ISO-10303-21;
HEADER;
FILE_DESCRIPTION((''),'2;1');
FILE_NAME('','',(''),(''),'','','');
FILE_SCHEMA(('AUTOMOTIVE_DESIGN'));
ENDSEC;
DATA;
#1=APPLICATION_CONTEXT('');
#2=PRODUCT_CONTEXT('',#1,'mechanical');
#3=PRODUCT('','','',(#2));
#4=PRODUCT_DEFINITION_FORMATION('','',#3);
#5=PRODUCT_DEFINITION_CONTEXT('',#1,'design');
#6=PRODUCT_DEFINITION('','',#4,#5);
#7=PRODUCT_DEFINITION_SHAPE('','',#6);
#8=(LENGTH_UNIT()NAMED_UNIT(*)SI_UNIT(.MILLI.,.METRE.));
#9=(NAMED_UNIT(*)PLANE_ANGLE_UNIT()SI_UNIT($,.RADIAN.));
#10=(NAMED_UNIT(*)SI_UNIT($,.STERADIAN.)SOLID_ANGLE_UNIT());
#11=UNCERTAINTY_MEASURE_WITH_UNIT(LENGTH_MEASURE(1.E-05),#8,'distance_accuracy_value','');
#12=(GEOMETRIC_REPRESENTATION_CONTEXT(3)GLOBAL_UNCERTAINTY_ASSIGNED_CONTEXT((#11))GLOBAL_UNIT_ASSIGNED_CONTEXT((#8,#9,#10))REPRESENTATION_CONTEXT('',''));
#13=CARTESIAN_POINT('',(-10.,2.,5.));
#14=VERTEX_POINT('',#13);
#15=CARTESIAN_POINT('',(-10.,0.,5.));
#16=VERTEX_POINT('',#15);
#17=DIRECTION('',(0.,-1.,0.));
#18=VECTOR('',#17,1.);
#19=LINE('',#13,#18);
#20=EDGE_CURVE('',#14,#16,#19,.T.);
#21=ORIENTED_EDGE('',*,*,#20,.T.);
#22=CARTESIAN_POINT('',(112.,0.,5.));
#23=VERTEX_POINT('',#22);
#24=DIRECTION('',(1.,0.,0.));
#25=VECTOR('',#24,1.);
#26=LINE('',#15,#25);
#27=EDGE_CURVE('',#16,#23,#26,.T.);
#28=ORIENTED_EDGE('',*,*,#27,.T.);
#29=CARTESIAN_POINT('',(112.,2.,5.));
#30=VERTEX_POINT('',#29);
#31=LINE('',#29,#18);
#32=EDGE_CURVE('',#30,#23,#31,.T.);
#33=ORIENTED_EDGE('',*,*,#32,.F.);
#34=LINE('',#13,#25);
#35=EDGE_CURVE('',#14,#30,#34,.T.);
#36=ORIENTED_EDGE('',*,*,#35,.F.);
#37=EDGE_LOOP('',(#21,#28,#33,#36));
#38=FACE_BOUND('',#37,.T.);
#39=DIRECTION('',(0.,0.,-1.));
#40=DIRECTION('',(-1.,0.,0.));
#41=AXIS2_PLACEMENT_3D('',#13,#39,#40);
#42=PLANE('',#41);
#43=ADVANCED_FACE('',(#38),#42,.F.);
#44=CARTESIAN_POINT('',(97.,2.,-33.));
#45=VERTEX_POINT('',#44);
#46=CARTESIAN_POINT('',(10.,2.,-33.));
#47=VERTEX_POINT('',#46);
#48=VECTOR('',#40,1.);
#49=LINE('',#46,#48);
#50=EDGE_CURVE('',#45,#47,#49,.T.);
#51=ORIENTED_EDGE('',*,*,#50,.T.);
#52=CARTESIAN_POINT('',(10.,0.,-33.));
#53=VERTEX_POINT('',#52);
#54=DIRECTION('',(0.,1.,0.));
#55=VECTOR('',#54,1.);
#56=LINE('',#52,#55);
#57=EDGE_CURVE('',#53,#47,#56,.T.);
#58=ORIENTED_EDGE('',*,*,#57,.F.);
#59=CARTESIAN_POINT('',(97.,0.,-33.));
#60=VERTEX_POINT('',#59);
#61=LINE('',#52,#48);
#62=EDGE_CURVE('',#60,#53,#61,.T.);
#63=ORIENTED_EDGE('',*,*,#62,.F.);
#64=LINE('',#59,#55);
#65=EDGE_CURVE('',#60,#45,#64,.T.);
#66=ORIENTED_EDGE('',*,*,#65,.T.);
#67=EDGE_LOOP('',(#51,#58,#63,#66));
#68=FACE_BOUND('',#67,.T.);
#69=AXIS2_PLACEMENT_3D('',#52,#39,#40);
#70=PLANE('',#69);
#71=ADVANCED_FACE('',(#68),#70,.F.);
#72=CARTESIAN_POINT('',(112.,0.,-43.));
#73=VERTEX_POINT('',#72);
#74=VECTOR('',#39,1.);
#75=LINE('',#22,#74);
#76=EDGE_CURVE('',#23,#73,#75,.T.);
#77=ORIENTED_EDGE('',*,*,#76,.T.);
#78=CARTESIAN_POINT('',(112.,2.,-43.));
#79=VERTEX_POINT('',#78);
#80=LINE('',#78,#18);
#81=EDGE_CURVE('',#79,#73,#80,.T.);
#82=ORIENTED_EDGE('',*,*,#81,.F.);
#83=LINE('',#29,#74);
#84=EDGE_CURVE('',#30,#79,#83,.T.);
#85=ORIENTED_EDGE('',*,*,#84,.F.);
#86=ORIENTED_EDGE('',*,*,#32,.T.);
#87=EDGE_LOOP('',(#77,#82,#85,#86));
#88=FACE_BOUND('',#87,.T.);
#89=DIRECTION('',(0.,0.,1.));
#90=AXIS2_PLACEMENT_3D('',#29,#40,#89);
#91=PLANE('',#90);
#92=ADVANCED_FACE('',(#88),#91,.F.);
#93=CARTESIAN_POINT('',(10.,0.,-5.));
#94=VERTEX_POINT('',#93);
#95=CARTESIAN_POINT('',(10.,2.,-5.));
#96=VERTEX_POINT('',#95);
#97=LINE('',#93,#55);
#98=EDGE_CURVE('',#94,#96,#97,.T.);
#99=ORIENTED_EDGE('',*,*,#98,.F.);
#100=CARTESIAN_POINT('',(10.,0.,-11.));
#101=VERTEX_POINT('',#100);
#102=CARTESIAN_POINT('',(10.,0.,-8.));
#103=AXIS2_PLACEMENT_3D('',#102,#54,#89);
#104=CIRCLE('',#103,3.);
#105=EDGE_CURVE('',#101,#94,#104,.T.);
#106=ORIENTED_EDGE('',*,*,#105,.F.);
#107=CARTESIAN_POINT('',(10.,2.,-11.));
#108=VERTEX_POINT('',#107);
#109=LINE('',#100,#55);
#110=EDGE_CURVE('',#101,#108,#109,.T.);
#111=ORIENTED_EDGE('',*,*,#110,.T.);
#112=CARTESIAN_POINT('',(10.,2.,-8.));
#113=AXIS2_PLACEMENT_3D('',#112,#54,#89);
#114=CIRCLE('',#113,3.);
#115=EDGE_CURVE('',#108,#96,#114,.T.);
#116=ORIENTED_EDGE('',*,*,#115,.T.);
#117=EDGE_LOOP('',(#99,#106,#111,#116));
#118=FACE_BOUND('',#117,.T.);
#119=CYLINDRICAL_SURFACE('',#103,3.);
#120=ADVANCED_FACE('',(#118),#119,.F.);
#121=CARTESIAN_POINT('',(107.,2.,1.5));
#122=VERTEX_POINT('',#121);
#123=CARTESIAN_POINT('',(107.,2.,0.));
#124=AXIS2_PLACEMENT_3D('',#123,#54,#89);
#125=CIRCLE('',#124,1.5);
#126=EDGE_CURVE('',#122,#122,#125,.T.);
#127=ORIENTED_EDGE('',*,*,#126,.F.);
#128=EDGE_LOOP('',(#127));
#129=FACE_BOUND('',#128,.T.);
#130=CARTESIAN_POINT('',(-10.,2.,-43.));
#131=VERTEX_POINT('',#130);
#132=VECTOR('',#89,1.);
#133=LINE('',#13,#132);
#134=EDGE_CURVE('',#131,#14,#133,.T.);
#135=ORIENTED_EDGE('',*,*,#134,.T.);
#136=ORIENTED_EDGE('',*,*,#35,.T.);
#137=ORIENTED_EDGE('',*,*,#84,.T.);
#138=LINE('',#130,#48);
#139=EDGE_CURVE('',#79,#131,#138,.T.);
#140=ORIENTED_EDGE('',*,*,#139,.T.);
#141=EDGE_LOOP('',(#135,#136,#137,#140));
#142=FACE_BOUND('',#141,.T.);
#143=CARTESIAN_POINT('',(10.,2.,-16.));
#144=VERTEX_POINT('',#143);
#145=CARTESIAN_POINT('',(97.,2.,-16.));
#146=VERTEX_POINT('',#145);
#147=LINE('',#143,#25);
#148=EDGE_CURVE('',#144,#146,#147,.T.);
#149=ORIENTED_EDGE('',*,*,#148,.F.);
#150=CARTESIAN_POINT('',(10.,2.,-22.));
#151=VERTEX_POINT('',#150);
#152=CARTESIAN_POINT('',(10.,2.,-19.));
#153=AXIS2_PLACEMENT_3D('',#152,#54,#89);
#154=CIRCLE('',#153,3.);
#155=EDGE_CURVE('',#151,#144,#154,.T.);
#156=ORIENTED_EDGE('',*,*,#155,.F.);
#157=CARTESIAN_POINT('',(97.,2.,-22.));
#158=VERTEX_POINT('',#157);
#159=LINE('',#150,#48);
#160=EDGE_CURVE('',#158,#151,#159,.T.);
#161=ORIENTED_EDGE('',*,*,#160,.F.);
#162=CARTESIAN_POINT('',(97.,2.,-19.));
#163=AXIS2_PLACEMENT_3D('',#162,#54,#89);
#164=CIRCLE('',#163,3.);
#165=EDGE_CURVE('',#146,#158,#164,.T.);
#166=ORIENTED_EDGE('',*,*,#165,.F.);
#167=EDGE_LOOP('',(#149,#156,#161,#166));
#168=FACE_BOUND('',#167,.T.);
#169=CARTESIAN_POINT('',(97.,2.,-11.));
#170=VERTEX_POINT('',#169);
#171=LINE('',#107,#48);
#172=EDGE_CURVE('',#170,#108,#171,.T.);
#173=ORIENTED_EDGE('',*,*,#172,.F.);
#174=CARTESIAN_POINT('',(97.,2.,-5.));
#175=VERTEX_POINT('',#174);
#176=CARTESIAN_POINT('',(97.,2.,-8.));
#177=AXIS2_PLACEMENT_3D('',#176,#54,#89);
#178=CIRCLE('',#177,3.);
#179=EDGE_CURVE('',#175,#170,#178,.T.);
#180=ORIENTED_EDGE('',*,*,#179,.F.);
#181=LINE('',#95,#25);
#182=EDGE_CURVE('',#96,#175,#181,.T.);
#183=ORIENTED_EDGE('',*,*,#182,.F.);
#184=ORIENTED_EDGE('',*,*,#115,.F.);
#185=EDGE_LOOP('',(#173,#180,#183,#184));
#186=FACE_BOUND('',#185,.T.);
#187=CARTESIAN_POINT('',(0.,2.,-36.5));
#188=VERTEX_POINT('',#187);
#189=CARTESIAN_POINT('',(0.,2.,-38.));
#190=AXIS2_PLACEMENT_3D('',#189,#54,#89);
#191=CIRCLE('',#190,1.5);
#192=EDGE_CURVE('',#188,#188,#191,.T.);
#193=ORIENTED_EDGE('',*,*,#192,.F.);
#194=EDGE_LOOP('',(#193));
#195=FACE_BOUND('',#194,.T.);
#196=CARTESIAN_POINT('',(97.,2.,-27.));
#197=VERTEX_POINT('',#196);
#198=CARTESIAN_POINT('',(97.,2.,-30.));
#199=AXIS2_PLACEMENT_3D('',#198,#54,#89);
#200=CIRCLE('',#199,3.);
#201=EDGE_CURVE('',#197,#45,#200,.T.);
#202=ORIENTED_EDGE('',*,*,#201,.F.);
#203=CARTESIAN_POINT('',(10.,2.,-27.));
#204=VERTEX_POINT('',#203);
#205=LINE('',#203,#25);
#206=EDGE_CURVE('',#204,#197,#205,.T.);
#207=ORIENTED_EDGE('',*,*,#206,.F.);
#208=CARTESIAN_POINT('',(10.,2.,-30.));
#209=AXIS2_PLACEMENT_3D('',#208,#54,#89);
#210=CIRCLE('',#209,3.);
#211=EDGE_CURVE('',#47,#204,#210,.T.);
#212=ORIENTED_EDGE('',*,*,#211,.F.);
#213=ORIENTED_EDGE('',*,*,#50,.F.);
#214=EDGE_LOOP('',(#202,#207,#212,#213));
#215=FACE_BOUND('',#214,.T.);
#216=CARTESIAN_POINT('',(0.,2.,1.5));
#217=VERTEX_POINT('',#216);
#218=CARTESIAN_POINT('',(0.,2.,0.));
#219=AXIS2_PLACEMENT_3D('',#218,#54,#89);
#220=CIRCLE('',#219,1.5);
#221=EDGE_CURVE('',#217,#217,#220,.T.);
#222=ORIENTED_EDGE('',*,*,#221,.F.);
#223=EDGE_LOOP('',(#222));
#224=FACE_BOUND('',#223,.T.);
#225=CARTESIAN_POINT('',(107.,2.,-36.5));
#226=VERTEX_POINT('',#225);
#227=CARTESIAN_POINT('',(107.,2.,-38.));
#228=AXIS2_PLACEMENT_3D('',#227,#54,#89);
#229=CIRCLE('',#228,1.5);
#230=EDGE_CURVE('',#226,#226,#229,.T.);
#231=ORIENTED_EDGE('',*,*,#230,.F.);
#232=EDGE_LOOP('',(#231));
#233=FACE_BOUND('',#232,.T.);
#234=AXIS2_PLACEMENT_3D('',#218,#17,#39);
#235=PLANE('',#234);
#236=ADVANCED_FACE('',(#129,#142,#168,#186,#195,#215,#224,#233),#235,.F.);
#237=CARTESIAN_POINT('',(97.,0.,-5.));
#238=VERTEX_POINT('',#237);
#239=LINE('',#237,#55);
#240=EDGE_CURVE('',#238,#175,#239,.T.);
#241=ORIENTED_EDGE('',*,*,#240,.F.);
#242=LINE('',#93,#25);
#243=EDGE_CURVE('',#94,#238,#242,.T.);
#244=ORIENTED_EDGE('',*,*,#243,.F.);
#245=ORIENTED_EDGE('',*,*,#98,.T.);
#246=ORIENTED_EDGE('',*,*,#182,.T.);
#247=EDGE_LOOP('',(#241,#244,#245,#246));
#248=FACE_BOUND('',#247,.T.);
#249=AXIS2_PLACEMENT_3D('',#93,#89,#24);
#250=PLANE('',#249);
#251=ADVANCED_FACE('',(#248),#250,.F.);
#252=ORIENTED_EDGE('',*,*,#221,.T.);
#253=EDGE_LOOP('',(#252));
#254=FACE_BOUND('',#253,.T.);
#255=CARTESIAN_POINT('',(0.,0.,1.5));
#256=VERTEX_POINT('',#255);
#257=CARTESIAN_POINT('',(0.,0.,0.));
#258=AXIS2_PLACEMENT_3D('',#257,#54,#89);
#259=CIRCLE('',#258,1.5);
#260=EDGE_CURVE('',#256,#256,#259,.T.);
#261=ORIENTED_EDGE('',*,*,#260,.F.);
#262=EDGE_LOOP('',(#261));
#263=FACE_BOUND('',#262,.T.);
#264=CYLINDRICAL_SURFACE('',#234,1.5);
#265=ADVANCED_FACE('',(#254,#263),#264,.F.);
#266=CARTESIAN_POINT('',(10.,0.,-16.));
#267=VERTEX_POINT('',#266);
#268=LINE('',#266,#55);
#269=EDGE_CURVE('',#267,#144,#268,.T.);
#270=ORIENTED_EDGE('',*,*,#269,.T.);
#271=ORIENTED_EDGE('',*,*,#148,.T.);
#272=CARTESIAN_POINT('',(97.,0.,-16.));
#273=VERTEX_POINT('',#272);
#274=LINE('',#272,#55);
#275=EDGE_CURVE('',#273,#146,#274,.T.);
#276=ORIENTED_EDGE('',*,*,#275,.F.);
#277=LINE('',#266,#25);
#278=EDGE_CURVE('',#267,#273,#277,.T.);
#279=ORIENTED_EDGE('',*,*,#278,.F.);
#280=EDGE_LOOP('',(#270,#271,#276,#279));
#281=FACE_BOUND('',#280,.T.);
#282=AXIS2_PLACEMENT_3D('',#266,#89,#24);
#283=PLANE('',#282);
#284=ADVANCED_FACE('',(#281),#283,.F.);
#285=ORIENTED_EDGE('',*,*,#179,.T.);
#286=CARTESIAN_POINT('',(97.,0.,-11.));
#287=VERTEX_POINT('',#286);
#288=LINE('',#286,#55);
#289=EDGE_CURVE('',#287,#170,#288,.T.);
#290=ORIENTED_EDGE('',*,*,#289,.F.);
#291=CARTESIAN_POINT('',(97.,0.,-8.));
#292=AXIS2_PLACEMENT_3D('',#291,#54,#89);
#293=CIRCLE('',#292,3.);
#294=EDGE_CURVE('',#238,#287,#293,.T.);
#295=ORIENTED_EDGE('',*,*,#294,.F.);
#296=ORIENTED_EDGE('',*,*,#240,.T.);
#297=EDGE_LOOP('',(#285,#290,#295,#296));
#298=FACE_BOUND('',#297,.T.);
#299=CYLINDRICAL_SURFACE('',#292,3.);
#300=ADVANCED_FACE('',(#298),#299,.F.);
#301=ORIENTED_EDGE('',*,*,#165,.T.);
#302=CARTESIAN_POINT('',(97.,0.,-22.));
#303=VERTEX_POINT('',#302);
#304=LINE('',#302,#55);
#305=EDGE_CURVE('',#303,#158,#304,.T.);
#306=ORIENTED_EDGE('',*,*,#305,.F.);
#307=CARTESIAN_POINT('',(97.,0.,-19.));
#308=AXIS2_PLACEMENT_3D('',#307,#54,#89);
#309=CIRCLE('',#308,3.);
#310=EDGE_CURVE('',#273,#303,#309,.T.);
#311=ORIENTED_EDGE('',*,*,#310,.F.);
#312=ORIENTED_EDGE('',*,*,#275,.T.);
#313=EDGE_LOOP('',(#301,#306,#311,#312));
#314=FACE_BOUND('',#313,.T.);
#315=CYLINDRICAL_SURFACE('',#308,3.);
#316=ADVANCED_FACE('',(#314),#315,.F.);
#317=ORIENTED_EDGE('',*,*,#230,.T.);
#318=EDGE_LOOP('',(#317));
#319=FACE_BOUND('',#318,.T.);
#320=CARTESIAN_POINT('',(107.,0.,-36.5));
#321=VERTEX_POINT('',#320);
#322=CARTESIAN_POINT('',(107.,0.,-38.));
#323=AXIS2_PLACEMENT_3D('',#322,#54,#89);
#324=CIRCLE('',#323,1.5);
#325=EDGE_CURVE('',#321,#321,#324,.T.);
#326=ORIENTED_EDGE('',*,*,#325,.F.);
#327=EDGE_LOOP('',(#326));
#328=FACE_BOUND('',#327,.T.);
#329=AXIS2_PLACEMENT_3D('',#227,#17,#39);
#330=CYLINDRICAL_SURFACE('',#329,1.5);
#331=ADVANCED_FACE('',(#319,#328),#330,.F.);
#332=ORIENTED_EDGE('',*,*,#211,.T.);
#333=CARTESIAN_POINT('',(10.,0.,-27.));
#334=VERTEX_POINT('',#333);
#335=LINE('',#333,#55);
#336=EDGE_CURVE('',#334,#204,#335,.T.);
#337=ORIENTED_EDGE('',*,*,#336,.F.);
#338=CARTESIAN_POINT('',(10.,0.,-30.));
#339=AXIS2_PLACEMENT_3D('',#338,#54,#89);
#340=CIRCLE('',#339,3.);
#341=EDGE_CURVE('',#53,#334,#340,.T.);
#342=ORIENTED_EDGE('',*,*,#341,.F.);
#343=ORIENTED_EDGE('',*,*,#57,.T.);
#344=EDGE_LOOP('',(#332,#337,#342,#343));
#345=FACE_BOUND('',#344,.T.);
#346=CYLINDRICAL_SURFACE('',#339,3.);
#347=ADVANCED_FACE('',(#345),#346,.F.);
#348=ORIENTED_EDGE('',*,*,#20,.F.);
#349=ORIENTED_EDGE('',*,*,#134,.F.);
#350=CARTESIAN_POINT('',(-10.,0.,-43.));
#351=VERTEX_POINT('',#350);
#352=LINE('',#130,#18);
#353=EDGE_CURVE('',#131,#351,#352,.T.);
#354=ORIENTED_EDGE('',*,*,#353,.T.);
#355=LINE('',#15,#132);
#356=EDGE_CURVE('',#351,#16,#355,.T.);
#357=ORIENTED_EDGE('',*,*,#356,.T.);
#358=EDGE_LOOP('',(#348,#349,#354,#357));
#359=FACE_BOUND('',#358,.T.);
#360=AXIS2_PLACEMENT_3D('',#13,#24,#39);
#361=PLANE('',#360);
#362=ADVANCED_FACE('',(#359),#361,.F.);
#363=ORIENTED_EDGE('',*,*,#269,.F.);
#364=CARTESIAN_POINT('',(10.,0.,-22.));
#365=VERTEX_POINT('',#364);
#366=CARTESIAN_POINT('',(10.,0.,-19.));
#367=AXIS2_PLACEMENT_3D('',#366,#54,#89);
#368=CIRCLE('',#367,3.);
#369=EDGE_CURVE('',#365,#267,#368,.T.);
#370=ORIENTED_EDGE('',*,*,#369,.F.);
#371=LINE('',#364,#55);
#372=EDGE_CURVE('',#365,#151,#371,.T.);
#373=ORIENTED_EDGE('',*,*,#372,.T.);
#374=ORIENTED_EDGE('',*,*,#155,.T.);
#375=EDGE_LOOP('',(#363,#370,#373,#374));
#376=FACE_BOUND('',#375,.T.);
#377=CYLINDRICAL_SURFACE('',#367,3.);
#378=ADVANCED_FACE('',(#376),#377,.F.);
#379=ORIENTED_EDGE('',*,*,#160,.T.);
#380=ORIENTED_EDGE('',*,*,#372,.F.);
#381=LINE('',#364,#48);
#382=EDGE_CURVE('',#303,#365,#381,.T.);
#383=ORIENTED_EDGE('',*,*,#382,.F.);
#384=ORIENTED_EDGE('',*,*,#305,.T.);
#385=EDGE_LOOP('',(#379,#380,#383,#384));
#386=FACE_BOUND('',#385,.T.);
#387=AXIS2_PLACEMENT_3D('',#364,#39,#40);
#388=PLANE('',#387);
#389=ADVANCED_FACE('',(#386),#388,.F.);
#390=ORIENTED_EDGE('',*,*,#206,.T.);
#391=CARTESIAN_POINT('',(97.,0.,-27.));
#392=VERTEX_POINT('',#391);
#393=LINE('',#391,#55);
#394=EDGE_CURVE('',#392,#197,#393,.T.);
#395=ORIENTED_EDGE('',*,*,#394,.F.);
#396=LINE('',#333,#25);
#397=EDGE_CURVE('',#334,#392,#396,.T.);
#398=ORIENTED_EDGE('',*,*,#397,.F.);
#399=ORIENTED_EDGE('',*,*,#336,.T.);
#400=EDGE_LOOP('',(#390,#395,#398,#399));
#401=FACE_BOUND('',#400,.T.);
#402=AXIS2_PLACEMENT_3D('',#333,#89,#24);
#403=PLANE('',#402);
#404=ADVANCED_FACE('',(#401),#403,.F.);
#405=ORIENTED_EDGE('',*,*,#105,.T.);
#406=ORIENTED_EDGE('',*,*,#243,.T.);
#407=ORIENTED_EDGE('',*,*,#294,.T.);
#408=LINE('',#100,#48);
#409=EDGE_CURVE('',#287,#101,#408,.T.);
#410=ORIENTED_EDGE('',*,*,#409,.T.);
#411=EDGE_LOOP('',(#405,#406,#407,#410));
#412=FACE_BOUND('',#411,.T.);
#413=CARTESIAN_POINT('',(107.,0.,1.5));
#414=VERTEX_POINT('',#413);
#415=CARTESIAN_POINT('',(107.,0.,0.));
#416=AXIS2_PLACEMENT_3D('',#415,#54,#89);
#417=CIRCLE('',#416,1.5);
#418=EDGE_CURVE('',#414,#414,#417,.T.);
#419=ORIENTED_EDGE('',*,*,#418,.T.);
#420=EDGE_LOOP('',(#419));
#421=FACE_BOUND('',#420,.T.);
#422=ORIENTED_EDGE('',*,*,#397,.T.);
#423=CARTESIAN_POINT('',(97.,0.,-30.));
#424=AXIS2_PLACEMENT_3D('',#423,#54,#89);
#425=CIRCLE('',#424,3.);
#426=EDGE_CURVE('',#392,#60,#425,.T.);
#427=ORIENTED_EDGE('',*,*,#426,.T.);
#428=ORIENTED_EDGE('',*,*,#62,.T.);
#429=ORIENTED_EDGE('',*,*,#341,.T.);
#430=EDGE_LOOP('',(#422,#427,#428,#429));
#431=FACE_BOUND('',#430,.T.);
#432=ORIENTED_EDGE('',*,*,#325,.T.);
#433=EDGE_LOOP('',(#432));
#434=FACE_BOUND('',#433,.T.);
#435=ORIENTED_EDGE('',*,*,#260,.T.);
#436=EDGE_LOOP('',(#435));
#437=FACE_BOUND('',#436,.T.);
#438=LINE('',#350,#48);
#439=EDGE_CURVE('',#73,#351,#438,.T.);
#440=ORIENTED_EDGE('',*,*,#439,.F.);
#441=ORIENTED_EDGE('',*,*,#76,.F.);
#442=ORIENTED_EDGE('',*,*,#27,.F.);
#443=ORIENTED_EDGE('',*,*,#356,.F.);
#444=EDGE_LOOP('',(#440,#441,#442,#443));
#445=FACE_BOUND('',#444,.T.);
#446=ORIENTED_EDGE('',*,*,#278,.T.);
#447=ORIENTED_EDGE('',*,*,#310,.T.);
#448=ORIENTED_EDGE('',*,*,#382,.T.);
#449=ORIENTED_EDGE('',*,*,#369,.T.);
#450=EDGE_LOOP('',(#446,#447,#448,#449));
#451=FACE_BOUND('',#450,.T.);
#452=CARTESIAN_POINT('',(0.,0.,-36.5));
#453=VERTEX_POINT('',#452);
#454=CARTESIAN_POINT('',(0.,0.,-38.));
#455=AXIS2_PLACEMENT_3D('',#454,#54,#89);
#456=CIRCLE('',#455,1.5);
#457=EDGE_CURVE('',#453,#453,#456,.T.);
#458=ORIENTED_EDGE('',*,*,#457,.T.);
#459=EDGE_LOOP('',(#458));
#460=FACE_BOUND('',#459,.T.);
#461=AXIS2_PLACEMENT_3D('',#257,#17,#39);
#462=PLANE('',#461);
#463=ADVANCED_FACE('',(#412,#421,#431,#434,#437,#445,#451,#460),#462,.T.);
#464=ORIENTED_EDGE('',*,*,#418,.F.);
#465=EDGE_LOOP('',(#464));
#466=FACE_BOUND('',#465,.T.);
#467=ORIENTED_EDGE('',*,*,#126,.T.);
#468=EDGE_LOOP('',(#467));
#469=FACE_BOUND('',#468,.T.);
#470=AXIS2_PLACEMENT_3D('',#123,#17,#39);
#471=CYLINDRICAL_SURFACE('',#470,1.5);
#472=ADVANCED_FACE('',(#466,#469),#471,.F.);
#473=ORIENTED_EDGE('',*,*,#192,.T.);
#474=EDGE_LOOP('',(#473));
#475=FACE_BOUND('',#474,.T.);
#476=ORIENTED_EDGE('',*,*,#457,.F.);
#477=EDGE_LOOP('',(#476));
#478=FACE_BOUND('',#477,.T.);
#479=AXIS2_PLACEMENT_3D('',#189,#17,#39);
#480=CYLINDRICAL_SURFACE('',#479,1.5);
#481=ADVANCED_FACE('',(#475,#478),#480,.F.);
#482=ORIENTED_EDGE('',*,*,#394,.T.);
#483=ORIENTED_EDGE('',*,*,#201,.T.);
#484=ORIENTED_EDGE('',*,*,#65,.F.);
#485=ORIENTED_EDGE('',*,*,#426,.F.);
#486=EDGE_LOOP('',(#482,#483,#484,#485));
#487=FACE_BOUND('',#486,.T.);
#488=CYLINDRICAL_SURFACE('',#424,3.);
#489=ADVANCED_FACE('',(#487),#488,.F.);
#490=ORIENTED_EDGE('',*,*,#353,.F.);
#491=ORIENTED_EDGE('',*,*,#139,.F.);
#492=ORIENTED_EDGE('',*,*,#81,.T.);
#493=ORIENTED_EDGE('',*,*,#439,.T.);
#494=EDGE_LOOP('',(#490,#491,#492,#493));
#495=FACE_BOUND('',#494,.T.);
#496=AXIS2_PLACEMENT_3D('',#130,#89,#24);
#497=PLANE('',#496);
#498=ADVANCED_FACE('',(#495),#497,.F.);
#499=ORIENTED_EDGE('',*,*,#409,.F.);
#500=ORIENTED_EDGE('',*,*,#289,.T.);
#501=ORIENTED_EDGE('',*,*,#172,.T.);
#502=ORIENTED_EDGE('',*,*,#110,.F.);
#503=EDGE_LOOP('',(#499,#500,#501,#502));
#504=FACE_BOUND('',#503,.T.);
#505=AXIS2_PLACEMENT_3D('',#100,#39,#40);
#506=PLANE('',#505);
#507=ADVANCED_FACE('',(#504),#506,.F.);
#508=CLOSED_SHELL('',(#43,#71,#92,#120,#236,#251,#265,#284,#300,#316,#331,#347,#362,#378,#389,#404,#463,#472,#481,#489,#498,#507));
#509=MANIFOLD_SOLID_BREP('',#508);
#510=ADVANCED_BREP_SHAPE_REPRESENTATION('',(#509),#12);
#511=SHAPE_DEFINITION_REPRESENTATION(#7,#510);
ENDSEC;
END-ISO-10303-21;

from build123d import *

# Parameters (mm, degrees)
SKETCH_1_W          = 122
SKETCH_1_H          = 48
SKETCH_1_R          = 1.5
EXTRUDE_1_DEPTH     = 2
CUT_EXTRUDE_1_DEPTH = 120.987499349


with BuildPart() as part:
    # 草图1 → 凸台-拉伸1 (new body)
    with BuildSketch(Plane(origin=(0, 0, 0), x_dir=(1, 0, 0), z_dir=(0, 1, 0))):
        with Locations((51, 19)):
            Rectangle(SKETCH_1_W, SKETCH_1_H)
        with Locations(Location((0, 38, 0), (0, 0, 270))):
            Circle(SKETCH_1_R, mode=Mode.SUBTRACT)
        with Locations(Location((0, 0, 0), (0, 0, 270))):
            Circle(SKETCH_1_R, mode=Mode.SUBTRACT)
        with Locations(Location((107, 38, 0), (0, 0, 270))):
            Circle(SKETCH_1_R, mode=Mode.SUBTRACT)
        with Locations(Location((107, 0, 0), (0, 0, 270))):
            Circle(SKETCH_1_R, mode=Mode.SUBTRACT)
    extrude(amount=EXTRUDE_1_DEPTH)

    # 草图2 → 切除-拉伸1 (cut, through all)
    with BuildSketch(Plane(origin=(0, 2, 0), x_dir=(1, 0, 0), z_dir=(0, 1, 0))):
        with BuildLine():
            Line((10, 33), (97, 33))
            ThreePointArc((97, 33), (100, 30), (97, 27))
            Line((97, 27), (10, 27))
            ThreePointArc((10, 27), (7, 30), (10, 33))
        make_face()
        with BuildLine():
            Line((10, 16), (97, 16))
            ThreePointArc((97, 16), (100, 19), (97, 22))
            Line((97, 22), (10, 22))
            ThreePointArc((10, 22), (7, 19), (10, 16))
        make_face()
        with BuildLine():
            Line((10, 5), (97, 5))
            ThreePointArc((97, 5), (100, 8), (97, 11))
            Line((97, 11), (10, 11))
            ThreePointArc((10, 11), (7, 8), (10, 5))
        make_face()
    extrude(amount=-CUT_EXTRUDE_1_DEPTH, mode=Mode.SUBTRACT)


solid = part.part
